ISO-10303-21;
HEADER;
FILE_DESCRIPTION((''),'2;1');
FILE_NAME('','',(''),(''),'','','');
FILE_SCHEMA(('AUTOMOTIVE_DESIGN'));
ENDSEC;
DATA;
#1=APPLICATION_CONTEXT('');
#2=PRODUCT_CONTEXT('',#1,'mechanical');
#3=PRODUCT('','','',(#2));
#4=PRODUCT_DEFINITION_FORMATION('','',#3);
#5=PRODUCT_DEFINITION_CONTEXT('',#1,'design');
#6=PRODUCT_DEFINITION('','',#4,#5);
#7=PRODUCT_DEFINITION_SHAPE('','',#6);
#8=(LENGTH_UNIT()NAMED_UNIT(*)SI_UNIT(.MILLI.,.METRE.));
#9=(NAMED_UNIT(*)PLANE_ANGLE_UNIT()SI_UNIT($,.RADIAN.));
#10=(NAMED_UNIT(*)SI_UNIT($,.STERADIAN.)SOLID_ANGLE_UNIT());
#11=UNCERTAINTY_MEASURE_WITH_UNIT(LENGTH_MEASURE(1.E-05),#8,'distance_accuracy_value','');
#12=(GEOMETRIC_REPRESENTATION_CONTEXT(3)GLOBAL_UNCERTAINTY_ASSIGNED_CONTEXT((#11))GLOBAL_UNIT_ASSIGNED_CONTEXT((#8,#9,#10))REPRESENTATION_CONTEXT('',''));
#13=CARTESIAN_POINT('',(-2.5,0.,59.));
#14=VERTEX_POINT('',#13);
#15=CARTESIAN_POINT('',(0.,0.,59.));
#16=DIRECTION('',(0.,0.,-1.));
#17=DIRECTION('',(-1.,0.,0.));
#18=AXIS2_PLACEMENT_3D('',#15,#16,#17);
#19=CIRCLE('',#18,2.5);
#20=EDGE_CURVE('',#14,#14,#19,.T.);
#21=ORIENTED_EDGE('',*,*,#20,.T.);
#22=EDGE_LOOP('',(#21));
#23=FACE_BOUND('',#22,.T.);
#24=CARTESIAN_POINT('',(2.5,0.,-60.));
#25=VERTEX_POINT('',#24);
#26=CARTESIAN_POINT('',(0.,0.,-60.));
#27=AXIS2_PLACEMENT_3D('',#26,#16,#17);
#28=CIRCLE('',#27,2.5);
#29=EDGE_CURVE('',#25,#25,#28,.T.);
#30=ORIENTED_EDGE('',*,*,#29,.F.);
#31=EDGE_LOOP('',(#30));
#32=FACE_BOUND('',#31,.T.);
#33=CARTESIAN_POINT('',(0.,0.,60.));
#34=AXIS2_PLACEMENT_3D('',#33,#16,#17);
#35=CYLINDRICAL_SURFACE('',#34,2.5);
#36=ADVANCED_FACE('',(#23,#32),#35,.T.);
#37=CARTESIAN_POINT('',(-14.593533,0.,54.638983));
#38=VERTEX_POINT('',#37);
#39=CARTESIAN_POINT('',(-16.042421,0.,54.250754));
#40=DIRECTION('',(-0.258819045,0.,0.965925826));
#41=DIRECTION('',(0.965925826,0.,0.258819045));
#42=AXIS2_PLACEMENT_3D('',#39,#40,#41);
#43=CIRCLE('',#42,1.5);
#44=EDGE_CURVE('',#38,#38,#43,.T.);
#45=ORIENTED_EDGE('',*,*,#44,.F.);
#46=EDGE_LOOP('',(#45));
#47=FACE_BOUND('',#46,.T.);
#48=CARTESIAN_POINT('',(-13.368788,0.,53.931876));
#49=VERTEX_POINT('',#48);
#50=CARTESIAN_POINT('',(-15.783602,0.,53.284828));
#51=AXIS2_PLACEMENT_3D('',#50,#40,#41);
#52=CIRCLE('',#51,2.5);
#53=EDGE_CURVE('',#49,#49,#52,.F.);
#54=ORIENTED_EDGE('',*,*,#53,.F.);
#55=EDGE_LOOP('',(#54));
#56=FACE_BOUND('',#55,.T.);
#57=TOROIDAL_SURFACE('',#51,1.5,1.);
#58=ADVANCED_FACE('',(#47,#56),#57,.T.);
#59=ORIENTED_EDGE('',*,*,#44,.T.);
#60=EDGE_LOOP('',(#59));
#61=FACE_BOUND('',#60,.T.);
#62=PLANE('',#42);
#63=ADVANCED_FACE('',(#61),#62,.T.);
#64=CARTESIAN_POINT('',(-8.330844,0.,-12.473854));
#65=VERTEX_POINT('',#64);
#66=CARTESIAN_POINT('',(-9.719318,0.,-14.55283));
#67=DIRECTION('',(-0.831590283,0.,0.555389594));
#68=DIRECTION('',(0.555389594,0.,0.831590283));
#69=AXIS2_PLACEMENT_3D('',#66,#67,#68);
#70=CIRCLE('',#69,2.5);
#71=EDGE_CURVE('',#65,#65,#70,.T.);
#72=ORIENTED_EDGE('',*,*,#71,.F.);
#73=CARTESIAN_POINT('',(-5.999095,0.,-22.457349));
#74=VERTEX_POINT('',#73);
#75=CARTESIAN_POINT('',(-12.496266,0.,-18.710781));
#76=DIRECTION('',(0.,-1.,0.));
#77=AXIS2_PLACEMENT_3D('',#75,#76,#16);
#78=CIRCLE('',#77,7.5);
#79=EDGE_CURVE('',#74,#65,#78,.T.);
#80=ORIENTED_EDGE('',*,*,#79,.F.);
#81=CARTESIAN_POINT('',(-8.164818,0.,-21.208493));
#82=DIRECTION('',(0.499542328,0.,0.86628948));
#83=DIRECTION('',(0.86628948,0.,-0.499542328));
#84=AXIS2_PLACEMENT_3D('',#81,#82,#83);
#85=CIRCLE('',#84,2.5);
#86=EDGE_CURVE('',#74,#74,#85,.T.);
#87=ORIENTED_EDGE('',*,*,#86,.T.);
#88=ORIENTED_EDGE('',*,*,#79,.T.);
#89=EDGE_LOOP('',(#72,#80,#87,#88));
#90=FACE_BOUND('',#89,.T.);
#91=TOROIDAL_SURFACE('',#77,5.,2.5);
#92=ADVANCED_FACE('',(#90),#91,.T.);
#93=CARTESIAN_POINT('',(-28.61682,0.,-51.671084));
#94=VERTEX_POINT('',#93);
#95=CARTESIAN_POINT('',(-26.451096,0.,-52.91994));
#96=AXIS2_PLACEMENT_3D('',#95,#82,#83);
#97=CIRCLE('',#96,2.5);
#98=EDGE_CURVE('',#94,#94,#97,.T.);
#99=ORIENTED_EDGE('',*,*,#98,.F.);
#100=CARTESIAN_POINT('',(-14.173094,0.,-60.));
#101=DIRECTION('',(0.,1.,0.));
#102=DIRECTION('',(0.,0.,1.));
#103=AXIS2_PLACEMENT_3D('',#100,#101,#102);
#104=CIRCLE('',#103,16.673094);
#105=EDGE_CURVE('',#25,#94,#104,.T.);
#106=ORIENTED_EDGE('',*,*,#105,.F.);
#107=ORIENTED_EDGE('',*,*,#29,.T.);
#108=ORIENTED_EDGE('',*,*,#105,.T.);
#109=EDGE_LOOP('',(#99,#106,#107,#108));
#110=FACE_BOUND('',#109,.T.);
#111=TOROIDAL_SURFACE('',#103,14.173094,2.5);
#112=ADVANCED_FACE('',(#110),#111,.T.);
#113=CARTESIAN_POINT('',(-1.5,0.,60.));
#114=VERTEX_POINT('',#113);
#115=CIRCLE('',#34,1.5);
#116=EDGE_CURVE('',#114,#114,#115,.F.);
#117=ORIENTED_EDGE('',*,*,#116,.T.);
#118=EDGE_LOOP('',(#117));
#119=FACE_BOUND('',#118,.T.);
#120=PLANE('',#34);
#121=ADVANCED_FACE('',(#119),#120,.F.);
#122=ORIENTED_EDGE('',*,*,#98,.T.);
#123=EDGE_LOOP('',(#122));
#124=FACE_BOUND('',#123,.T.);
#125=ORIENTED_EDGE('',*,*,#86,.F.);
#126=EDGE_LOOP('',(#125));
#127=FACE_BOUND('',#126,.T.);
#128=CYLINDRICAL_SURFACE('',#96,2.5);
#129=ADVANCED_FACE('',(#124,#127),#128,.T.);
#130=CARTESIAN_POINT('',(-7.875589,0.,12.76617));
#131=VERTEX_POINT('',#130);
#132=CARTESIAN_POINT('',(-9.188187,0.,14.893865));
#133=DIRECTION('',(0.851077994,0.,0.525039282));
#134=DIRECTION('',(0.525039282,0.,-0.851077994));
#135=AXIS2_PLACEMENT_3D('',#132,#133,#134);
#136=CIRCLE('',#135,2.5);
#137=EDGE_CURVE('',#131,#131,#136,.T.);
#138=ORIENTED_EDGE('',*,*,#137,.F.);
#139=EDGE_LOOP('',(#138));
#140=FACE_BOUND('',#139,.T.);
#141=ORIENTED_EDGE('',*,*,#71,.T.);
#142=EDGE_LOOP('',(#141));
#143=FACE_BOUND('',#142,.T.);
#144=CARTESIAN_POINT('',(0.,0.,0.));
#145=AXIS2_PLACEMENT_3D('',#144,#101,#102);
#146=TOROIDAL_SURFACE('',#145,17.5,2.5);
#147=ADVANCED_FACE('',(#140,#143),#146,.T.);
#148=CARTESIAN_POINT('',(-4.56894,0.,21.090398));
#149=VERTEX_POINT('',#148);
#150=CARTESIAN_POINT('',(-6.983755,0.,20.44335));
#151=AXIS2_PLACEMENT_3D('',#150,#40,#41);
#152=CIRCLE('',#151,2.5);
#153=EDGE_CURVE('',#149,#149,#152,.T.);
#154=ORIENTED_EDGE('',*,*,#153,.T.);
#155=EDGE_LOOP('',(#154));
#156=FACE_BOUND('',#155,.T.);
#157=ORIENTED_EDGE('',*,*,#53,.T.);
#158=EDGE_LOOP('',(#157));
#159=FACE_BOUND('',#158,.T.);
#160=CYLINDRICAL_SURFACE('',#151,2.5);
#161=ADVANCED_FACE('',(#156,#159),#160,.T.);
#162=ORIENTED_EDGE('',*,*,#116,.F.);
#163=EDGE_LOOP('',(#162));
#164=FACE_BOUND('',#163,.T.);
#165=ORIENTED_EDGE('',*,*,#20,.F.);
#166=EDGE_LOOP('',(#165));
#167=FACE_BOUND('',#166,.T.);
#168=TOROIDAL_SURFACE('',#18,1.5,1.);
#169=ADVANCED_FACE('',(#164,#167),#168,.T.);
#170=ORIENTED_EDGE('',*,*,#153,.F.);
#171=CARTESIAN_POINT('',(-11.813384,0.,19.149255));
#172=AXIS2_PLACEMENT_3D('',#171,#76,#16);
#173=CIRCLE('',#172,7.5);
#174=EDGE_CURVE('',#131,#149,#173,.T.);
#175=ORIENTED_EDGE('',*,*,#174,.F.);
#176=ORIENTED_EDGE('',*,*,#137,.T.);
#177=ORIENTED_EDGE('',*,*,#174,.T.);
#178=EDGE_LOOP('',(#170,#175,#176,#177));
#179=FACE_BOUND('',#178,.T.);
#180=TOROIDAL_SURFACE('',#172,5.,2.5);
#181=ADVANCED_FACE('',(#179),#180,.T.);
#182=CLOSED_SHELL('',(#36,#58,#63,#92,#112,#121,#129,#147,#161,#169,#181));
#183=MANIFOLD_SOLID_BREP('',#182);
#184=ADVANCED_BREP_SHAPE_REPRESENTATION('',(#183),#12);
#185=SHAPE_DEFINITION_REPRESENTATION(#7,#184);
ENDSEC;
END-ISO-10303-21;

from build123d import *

# Parameters (mm, degrees)
SKETCH2_R = 2.5
FILLET1_R = 1


with BuildPart() as part:
    # Sweep2: sweep along a path in Sketch1
    with BuildLine(Plane(origin=(0, 0, 0), x_dir=(1, 0, 0), z_dir=(0, 1, 0))) as sweep2_path:
        Line((0, -60), (0, 60))
        ThreePointArc((0, 60), (-17.83774349, 73.691126094), (-26.451096024, 52.919939689))
        Line((-26.451096024, 52.919939689), (-8.164818455, 21.208493014))
        ThreePointArc((-8.164818455, 21.208493014), (-7.627304585, 17.573584756), (-9.719317887, 14.552829959))
        ThreePointArc((-9.719317887, 14.552829959), (-17.497154023, -0.31559641), (-9.188187443, -14.893864895))
        ThreePointArc((-9.188187443, -14.893864895), (-7.166578236, -17.303395297), (-6.983754723, -20.443350091))
        Line((-6.983754723, -20.443350091), (-16.042421302, -54.250754011))
    # Sketch2 → Sweep2 (sweep)
    with BuildSketch(Plane(origin=(0, 0, 60), x_dir=(-1, 0, 0), z_dir=(0, 0, -1))):
        Circle(SKETCH2_R)
    sweep(path=sweep2_path.line)

    # Fillet1
    fillet1_edges = [part.edges().sort_by_distance(p)[0] for p in [
        (-18.457235868, 0, 53.603706398),
        (2.5, 0, 60),
    ]]
    fillet(fillet1_edges, radius=FILLET1_R)


solid = part.part
